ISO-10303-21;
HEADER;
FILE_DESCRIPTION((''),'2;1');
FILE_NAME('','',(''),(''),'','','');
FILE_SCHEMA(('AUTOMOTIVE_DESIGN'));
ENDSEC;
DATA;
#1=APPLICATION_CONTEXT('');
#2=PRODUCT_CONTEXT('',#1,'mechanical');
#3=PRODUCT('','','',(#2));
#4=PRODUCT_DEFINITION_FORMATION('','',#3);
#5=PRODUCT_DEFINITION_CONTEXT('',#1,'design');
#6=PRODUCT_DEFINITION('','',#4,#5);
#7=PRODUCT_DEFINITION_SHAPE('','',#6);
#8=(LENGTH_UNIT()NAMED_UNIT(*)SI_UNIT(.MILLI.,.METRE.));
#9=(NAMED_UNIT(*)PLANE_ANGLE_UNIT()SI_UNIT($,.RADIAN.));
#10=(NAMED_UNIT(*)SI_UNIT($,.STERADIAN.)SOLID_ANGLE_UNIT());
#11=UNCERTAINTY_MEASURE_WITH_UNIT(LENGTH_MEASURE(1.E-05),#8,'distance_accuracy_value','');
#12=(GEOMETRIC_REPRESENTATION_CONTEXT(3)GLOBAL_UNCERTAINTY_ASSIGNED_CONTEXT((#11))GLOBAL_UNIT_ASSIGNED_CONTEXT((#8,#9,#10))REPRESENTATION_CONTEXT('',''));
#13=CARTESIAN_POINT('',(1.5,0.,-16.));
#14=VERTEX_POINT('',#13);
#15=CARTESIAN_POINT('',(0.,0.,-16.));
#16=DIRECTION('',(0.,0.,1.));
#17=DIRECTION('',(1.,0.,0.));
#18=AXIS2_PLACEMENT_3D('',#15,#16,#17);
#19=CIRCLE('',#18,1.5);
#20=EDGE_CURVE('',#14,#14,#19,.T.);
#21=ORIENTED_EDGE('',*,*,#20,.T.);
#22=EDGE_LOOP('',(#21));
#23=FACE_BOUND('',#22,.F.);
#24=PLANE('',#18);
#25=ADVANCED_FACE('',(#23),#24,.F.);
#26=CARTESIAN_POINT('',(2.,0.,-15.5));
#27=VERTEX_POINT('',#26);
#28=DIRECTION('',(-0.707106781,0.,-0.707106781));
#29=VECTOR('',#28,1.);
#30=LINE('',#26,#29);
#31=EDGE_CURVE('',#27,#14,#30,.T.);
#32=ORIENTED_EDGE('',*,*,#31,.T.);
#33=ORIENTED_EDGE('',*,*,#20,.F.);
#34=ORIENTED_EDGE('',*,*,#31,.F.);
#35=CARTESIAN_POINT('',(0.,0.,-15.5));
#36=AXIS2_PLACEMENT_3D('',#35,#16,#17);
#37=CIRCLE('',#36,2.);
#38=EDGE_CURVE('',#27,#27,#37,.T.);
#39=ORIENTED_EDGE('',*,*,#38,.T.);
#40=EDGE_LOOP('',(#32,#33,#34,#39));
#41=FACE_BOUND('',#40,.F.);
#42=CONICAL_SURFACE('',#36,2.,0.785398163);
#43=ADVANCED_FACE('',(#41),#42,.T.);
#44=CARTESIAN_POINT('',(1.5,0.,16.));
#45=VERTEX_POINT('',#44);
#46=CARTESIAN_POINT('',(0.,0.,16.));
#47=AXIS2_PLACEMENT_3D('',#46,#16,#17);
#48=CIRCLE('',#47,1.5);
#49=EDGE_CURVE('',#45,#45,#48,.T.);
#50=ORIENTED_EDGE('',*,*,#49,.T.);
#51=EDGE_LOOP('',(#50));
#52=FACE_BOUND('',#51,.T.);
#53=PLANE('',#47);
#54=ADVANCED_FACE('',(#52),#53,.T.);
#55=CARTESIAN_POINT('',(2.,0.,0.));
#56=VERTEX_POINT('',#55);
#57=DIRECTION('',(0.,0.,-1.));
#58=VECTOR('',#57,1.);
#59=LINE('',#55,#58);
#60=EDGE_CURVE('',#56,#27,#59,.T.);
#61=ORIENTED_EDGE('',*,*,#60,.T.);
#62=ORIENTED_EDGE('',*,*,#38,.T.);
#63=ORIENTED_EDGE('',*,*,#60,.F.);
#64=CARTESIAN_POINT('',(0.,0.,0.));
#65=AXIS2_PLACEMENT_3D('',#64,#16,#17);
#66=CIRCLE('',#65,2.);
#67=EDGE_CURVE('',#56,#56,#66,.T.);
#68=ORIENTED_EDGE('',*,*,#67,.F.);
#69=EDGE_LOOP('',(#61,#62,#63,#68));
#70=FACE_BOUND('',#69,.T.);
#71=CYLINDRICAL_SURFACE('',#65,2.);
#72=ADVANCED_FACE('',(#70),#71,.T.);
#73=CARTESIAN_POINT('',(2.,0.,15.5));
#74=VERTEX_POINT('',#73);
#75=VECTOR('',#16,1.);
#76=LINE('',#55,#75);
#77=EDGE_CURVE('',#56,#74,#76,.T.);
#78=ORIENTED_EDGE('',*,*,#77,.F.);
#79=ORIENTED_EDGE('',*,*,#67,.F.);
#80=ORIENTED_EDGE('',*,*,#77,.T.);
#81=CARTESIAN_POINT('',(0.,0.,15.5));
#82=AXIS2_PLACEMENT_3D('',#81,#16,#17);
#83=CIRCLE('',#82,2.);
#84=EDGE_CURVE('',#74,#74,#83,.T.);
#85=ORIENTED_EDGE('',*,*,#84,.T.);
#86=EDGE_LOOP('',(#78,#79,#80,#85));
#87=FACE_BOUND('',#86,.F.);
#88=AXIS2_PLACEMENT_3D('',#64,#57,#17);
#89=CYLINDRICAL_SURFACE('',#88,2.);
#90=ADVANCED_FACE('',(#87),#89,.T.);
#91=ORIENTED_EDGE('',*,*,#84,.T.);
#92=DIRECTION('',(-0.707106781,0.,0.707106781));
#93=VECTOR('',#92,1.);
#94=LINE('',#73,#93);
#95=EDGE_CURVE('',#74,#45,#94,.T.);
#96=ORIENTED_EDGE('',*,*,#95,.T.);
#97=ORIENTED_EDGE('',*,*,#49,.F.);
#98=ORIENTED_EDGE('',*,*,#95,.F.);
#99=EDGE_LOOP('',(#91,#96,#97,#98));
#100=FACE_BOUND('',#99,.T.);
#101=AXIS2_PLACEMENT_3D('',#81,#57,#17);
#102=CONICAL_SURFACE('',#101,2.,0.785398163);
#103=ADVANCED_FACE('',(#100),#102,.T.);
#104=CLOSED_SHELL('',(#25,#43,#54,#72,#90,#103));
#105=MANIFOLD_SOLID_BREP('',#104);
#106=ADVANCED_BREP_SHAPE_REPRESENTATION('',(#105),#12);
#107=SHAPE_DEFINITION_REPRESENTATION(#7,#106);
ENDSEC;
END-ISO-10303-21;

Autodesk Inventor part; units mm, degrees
ref_plane "YZ Plane" through (0, 0, 0) normal (1, 0, 0) x (0, 1, 0)
ref_plane "XZ Plane" through (0, 0, 0) normal (0, 1, 0) x (-1, 0, 0)
ref_plane "XY Plane" through (0, 0, 0) normal (0, 0, 1) x (1, 0, 0)
sketch "Sketch1" plane through (0, 0, 0) normal (0, 0, 1) x (1, 0, 0)
  circle A0 centre (0, 0) radius 2
  dimension "d0" = 4
extrude "Extrusion1" add sketch "Sketch1" along normal mid plane 32
chamfer "Chamfer1" distance 0.5 angle 45 2 edges at (-2, 0, 16) (-2, 0, -16)
properties part number "Pin" material "Steel, Mild"
